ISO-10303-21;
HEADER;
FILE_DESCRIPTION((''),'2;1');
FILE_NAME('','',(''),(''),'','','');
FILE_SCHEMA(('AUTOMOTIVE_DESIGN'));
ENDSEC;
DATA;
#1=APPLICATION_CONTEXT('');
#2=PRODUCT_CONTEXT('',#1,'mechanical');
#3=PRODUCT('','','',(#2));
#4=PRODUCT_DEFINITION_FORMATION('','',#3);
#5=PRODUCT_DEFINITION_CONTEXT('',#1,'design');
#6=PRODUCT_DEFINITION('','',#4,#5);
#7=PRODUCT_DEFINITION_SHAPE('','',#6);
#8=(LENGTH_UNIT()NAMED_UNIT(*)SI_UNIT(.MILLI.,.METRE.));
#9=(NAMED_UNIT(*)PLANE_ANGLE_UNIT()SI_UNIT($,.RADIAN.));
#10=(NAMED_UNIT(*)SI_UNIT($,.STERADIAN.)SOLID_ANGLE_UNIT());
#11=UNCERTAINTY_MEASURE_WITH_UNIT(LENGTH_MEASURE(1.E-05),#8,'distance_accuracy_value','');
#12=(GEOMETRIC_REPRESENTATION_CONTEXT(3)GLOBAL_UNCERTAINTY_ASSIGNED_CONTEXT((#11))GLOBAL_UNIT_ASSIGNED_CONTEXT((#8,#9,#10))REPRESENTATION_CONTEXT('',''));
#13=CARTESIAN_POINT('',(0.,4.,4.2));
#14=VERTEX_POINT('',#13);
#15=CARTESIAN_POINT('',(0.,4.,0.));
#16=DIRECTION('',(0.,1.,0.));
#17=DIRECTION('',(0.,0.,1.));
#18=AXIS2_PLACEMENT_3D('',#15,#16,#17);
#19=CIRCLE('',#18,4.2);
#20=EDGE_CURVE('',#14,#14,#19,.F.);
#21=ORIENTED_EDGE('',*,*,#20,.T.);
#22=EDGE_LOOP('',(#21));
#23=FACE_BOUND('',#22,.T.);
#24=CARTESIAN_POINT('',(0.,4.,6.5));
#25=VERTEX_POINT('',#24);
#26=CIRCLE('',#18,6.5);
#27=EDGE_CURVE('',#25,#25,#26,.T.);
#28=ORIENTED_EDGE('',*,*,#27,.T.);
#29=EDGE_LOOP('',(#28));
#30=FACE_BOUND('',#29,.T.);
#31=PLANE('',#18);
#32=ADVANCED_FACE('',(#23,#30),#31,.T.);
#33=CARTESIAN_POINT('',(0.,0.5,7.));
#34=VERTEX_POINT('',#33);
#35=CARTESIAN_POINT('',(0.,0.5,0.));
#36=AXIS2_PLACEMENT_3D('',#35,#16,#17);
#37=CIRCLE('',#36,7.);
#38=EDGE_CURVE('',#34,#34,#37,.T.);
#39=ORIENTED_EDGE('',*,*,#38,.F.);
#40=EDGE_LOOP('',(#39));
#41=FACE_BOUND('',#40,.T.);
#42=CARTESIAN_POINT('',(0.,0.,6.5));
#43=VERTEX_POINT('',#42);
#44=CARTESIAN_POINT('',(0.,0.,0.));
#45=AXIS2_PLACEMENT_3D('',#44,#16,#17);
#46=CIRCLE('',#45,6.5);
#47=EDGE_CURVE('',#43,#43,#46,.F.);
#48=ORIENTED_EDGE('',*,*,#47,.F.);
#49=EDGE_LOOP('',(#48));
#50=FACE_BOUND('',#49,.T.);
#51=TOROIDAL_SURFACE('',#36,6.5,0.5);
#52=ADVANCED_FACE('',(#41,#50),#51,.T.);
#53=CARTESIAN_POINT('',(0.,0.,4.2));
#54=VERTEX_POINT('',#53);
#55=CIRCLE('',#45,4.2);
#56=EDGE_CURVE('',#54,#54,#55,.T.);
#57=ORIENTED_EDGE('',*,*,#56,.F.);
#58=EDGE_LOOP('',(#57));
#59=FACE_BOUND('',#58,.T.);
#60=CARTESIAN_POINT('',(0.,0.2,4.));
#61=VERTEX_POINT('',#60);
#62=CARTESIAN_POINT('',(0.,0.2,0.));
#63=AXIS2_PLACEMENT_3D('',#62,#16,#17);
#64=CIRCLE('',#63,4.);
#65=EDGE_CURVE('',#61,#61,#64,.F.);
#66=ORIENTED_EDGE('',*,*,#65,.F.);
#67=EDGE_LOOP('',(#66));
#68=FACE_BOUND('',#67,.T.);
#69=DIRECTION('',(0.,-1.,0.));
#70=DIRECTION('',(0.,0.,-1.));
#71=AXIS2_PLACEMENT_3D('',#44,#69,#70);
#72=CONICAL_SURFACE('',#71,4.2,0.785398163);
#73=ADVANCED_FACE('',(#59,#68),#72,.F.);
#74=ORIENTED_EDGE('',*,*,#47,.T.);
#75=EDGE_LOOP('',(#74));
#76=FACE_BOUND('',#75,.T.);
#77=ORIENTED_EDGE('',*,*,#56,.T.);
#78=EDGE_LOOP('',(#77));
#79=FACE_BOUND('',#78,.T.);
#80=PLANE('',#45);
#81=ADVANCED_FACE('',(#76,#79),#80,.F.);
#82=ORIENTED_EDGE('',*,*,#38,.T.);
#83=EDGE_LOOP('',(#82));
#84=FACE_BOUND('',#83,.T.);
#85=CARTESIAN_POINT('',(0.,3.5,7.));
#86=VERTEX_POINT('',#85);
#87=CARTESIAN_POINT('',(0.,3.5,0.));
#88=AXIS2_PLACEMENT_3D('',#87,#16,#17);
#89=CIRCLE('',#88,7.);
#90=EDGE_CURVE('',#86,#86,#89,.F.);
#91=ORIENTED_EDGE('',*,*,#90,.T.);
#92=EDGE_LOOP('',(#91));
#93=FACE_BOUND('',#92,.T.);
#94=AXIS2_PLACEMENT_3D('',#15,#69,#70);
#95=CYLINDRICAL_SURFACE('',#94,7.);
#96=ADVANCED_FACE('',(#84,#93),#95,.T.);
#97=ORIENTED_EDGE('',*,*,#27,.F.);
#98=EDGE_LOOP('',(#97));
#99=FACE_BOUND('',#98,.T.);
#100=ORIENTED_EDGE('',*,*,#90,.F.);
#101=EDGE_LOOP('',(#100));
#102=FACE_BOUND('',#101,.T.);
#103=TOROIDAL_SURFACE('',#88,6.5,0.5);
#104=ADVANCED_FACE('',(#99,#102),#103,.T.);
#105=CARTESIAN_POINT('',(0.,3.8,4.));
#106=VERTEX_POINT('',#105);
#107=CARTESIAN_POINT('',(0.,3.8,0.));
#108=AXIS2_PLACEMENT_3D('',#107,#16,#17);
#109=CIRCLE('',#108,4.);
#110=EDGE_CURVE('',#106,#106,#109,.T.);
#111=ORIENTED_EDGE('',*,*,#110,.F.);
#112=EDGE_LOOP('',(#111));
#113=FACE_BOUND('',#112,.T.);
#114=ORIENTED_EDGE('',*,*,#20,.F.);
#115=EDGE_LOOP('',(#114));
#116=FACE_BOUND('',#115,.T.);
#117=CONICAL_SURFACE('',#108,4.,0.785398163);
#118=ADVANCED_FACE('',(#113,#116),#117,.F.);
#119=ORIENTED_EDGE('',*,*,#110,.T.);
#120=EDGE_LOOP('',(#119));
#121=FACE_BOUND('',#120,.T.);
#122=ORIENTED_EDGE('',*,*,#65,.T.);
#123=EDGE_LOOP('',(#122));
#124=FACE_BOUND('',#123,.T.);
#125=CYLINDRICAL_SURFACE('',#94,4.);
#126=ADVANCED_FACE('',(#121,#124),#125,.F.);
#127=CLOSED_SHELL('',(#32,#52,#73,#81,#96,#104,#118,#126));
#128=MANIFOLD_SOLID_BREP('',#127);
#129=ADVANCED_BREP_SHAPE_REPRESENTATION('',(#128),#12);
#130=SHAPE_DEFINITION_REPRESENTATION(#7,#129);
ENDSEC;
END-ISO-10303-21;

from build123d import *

# Parameters (mm, degrees)
SKETCH1_R           = 7
SKETCH1_R_2         = 4
BOSS_EXTRUDE1_DEPTH = 4
CHAMFER1_SIZE       = 0.2
FILLET1_R           = 0.5


with BuildPart() as part:
    # Sketch1 → Boss-Extrude1 (new body)
    with BuildSketch(Plane(origin=(0, 0, 0), x_dir=(1, 0, 0), z_dir=(0, 1, 0))):
        Circle(SKETCH1_R)
        Circle(SKETCH1_R_2, mode=Mode.SUBTRACT)
    extrude(amount=BOSS_EXTRUDE1_DEPTH)

    # Chamfer1
    chamfer1_edges = [part.edges().sort_by_distance(p)[0] for p in [
        (-4, 0, 0),
        (-4, 4, 0),
    ]]
    chamfer(chamfer1_edges, length=CHAMFER1_SIZE)

    # Fillet1
    fillet1_edges = [part.edges().sort_by_distance(p)[0] for p in [
        (-7, 0, 0),
        (-7, 4, 0),
    ]]
    fillet(fillet1_edges, radius=FILLET1_R)


solid = part.part
